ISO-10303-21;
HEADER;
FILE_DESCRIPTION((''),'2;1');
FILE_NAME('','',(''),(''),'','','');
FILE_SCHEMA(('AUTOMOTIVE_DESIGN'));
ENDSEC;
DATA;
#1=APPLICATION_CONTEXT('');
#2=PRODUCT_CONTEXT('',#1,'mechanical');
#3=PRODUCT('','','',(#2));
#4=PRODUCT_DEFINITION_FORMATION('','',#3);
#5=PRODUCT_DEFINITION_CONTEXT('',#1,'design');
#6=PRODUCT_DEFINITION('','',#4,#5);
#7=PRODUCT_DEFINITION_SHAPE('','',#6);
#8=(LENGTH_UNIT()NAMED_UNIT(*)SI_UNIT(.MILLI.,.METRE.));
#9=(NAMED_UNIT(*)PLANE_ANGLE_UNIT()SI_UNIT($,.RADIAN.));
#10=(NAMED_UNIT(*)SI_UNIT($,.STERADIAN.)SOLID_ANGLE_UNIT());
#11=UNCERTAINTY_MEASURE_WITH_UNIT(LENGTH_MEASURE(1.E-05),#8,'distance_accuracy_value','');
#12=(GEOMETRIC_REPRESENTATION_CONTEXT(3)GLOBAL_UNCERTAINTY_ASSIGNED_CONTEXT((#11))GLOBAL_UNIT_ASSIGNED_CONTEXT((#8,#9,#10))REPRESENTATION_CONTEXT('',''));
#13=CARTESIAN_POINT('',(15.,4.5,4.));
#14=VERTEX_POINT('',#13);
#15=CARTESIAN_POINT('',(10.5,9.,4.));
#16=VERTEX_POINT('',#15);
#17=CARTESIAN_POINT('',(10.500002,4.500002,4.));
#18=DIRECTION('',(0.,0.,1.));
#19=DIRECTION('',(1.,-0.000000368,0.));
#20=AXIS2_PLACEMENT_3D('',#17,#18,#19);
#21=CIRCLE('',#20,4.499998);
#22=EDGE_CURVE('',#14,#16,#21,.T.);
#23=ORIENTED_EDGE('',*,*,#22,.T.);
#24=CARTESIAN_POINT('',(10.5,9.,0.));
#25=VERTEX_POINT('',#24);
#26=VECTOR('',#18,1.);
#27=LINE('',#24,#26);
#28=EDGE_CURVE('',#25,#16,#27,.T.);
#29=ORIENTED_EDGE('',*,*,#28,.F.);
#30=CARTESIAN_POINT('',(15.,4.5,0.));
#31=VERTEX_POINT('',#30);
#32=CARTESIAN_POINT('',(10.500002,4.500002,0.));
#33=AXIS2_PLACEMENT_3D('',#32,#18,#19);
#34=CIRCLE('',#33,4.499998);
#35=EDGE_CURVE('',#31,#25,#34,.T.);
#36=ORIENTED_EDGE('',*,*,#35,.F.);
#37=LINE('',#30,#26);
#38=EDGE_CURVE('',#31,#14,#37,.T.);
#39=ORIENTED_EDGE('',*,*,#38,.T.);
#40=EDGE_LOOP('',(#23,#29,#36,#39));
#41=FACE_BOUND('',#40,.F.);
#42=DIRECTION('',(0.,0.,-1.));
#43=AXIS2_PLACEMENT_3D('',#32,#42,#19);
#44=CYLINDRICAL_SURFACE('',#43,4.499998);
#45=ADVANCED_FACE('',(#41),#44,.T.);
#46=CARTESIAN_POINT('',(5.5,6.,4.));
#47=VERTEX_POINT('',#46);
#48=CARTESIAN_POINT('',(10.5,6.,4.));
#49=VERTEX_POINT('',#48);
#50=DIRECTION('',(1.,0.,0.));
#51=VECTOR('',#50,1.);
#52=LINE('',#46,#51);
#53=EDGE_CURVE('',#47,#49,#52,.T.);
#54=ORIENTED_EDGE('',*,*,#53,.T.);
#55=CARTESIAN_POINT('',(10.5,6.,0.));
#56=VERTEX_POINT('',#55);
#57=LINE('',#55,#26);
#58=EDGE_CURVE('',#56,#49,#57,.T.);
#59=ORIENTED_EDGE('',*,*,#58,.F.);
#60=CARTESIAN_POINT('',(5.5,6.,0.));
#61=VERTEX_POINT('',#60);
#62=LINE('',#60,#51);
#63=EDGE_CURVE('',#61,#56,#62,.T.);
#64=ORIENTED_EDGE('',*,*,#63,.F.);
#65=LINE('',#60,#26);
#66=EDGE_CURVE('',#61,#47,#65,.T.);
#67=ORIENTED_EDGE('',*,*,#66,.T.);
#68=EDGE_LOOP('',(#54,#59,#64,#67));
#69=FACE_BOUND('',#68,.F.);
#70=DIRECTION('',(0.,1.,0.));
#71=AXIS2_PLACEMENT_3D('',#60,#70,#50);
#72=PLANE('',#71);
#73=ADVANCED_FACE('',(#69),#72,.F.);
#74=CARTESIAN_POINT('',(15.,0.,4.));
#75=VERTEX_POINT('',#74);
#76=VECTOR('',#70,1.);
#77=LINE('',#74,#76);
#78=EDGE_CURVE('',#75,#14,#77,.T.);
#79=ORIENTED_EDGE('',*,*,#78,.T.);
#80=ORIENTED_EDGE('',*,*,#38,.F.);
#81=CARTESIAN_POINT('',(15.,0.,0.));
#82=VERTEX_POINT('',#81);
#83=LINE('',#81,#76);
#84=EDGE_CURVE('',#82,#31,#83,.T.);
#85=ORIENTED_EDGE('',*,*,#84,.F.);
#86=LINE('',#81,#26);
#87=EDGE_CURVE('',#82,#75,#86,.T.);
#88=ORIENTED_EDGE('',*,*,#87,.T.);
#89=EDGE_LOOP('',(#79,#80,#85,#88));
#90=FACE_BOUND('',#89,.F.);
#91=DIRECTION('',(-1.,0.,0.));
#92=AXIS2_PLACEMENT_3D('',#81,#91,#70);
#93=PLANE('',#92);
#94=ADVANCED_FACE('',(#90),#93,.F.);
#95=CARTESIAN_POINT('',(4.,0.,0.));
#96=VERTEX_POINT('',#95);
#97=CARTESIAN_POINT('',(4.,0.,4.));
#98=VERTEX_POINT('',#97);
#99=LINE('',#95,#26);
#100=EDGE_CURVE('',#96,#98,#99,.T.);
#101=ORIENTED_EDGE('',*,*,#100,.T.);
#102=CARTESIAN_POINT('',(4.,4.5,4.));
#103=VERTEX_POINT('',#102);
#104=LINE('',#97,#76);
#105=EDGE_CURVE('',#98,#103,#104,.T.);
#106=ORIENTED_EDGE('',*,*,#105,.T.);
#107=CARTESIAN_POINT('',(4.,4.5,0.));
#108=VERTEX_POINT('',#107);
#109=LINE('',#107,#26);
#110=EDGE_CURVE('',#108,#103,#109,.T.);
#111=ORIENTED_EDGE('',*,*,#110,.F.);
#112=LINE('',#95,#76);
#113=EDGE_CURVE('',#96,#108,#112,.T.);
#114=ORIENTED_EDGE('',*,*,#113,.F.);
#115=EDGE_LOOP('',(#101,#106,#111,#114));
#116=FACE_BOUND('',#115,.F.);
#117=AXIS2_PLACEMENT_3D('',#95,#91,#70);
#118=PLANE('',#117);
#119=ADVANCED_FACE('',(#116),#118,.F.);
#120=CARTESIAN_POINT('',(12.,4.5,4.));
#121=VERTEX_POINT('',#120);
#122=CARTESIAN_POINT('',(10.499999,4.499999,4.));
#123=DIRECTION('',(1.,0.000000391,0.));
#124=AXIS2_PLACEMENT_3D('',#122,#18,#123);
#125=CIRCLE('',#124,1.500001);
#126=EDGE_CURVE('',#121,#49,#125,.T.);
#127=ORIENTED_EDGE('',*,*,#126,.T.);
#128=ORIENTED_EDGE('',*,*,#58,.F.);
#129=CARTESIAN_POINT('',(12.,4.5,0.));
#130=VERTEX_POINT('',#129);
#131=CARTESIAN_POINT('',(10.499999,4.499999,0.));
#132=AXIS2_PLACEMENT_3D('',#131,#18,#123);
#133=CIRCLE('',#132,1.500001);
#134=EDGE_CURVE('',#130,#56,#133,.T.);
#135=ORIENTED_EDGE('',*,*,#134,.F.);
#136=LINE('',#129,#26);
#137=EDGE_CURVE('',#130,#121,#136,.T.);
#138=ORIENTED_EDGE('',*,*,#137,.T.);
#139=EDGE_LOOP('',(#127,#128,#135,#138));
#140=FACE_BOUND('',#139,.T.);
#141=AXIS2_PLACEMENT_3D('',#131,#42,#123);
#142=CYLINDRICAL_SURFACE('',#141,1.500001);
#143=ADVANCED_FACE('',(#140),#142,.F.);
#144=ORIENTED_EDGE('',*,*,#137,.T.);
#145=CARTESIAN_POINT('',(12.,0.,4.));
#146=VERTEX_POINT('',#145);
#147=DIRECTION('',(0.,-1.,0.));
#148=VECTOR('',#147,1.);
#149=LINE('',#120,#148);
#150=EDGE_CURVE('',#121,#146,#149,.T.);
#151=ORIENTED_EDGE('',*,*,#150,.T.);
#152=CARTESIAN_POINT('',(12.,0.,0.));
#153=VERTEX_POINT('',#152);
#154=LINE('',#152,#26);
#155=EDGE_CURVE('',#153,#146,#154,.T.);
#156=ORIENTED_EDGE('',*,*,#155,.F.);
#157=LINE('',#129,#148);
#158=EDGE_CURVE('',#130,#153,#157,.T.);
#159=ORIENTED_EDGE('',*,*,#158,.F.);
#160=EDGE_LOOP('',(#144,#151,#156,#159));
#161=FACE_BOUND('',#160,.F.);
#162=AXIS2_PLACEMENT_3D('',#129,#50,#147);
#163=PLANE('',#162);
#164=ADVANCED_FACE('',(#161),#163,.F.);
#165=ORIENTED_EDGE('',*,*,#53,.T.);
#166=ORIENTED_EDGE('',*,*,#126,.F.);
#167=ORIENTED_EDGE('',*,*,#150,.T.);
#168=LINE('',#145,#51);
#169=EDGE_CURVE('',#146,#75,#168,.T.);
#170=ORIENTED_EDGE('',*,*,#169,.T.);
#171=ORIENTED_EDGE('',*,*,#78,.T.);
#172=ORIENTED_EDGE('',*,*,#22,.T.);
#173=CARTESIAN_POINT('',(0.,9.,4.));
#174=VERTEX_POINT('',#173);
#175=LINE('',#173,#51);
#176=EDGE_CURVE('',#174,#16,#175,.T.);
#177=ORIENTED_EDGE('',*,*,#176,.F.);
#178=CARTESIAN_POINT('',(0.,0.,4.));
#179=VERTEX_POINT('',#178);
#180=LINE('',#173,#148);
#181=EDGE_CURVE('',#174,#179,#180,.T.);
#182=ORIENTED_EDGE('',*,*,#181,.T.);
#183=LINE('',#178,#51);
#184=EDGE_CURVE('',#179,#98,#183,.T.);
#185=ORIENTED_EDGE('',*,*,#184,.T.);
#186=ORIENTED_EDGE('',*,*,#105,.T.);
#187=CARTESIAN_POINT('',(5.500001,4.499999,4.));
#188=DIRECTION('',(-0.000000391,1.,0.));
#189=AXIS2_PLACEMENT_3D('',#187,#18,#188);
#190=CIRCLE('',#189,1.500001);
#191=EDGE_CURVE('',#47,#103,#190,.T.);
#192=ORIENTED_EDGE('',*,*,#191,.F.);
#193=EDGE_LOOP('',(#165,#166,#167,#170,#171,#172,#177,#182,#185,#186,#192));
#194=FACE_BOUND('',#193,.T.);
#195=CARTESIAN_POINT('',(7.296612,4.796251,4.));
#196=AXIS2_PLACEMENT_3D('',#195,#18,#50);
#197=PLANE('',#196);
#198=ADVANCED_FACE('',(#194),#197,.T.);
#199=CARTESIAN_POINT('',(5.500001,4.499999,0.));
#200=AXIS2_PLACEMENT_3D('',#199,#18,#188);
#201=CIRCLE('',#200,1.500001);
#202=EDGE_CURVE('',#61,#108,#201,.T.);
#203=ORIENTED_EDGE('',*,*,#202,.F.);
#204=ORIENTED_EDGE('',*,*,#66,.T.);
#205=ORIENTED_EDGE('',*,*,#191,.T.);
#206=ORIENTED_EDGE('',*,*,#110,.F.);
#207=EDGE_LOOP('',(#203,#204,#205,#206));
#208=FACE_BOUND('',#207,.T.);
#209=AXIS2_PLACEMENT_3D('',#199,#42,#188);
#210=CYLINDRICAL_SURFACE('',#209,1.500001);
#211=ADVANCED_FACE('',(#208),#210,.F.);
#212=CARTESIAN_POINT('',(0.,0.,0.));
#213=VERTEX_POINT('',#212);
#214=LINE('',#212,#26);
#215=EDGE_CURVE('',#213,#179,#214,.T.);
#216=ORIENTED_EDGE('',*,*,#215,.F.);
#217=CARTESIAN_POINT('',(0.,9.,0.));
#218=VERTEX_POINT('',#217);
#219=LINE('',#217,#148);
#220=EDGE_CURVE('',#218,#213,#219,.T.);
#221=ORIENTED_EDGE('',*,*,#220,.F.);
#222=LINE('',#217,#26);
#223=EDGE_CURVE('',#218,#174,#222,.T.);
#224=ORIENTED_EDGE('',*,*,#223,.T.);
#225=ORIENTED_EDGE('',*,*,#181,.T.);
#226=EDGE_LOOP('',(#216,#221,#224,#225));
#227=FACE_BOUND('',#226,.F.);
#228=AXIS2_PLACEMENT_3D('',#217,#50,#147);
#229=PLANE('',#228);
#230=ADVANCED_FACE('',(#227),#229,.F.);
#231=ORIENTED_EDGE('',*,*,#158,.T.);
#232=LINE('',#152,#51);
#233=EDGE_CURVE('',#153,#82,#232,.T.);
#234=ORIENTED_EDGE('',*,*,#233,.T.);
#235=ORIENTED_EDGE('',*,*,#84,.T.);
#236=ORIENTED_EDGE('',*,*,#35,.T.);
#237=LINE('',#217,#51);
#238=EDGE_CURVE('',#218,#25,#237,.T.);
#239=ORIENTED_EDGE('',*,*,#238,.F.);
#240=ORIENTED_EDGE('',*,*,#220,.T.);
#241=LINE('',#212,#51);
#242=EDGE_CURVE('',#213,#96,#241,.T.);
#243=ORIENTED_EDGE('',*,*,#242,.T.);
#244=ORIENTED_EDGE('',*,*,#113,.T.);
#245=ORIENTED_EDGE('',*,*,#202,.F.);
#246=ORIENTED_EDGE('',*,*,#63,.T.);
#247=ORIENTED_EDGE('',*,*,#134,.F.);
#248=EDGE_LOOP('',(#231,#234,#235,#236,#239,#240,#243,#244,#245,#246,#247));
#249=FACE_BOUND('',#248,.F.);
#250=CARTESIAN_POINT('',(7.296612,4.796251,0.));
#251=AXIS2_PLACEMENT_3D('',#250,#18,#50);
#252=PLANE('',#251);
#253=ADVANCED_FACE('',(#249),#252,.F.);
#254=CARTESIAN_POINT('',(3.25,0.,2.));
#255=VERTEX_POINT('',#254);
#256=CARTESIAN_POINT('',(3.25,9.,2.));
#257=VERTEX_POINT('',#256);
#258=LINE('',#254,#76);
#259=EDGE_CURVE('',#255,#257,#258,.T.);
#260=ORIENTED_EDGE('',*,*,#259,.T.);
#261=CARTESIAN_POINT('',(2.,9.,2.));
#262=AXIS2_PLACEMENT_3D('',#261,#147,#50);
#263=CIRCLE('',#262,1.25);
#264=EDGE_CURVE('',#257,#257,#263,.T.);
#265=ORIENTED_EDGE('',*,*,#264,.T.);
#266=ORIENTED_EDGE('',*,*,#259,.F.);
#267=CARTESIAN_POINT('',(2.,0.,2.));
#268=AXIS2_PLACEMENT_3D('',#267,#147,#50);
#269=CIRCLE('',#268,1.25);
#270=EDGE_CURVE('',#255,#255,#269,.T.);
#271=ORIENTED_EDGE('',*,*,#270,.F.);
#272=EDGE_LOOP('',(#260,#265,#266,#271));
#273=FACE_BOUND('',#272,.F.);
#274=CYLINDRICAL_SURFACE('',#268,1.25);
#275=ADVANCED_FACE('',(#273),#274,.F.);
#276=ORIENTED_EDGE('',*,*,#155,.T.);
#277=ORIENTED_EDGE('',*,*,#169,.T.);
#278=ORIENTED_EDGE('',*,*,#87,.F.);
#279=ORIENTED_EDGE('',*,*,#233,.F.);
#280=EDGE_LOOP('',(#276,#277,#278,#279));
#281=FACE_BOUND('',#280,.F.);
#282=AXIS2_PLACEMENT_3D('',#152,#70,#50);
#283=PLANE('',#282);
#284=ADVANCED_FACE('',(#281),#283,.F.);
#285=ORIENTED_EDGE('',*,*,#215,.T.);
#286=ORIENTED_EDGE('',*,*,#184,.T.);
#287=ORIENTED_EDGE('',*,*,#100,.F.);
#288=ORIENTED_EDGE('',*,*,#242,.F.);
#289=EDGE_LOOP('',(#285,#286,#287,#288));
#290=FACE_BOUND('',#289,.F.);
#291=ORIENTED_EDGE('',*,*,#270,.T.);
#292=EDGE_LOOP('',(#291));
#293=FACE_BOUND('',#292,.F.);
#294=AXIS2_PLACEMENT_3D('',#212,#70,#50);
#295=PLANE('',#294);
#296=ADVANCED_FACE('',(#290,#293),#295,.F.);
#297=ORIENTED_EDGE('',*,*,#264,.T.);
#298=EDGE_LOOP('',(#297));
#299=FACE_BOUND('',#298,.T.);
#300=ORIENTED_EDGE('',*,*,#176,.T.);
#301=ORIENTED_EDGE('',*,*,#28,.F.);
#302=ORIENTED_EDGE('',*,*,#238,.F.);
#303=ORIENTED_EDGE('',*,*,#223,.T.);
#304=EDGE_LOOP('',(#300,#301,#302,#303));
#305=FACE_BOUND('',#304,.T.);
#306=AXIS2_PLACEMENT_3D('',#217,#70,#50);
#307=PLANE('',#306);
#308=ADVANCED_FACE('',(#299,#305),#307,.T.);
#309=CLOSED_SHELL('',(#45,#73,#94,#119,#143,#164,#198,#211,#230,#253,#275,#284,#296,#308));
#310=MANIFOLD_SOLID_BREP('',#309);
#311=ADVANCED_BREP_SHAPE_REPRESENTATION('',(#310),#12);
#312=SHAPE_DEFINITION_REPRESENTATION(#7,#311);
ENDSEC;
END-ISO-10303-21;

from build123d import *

# Parameters (mm, degrees)
PAD_DEPTH    = 4
SKETCH001_R  = 1.25
POCKET_DEPTH = 9.001


with BuildPart() as part:
    # Sketch → Pad (new body)
    with BuildSketch(Plane.XY):
        with BuildLine():
            Line((0, 0), (4, 0))
            Line((4, 0), (4, 4.5))
            ThreePointArc((5.5, 6), (4.43934, 5.56066), (4, 4.5))
            Line((5.5, 6), (10.5, 6))
            ThreePointArc((12, 4.5), (11.56066, 5.56066), (10.5, 6))
            Line((12, 4.5), (12, 0))
            Line((12, 0), (15, 0))
            Line((15, 0), (15, 4.5))
            ThreePointArc((15, 4.5), (13.681981, 7.681981), (10.5, 9))
            Line((0, 9), (10.5, 9))
            Line((0, 9), (0, 0))
        make_face()
    extrude(amount=PAD_DEPTH)

    # Sketch001 (on Face2 of Pad) → Pocket (cut, through all)
    with BuildSketch(Plane.XZ):
        with Locations((2, 2)):
            Circle(SKETCH001_R)
    extrude(amount=-POCKET_DEPTH, mode=Mode.SUBTRACT)


solid = part.part
